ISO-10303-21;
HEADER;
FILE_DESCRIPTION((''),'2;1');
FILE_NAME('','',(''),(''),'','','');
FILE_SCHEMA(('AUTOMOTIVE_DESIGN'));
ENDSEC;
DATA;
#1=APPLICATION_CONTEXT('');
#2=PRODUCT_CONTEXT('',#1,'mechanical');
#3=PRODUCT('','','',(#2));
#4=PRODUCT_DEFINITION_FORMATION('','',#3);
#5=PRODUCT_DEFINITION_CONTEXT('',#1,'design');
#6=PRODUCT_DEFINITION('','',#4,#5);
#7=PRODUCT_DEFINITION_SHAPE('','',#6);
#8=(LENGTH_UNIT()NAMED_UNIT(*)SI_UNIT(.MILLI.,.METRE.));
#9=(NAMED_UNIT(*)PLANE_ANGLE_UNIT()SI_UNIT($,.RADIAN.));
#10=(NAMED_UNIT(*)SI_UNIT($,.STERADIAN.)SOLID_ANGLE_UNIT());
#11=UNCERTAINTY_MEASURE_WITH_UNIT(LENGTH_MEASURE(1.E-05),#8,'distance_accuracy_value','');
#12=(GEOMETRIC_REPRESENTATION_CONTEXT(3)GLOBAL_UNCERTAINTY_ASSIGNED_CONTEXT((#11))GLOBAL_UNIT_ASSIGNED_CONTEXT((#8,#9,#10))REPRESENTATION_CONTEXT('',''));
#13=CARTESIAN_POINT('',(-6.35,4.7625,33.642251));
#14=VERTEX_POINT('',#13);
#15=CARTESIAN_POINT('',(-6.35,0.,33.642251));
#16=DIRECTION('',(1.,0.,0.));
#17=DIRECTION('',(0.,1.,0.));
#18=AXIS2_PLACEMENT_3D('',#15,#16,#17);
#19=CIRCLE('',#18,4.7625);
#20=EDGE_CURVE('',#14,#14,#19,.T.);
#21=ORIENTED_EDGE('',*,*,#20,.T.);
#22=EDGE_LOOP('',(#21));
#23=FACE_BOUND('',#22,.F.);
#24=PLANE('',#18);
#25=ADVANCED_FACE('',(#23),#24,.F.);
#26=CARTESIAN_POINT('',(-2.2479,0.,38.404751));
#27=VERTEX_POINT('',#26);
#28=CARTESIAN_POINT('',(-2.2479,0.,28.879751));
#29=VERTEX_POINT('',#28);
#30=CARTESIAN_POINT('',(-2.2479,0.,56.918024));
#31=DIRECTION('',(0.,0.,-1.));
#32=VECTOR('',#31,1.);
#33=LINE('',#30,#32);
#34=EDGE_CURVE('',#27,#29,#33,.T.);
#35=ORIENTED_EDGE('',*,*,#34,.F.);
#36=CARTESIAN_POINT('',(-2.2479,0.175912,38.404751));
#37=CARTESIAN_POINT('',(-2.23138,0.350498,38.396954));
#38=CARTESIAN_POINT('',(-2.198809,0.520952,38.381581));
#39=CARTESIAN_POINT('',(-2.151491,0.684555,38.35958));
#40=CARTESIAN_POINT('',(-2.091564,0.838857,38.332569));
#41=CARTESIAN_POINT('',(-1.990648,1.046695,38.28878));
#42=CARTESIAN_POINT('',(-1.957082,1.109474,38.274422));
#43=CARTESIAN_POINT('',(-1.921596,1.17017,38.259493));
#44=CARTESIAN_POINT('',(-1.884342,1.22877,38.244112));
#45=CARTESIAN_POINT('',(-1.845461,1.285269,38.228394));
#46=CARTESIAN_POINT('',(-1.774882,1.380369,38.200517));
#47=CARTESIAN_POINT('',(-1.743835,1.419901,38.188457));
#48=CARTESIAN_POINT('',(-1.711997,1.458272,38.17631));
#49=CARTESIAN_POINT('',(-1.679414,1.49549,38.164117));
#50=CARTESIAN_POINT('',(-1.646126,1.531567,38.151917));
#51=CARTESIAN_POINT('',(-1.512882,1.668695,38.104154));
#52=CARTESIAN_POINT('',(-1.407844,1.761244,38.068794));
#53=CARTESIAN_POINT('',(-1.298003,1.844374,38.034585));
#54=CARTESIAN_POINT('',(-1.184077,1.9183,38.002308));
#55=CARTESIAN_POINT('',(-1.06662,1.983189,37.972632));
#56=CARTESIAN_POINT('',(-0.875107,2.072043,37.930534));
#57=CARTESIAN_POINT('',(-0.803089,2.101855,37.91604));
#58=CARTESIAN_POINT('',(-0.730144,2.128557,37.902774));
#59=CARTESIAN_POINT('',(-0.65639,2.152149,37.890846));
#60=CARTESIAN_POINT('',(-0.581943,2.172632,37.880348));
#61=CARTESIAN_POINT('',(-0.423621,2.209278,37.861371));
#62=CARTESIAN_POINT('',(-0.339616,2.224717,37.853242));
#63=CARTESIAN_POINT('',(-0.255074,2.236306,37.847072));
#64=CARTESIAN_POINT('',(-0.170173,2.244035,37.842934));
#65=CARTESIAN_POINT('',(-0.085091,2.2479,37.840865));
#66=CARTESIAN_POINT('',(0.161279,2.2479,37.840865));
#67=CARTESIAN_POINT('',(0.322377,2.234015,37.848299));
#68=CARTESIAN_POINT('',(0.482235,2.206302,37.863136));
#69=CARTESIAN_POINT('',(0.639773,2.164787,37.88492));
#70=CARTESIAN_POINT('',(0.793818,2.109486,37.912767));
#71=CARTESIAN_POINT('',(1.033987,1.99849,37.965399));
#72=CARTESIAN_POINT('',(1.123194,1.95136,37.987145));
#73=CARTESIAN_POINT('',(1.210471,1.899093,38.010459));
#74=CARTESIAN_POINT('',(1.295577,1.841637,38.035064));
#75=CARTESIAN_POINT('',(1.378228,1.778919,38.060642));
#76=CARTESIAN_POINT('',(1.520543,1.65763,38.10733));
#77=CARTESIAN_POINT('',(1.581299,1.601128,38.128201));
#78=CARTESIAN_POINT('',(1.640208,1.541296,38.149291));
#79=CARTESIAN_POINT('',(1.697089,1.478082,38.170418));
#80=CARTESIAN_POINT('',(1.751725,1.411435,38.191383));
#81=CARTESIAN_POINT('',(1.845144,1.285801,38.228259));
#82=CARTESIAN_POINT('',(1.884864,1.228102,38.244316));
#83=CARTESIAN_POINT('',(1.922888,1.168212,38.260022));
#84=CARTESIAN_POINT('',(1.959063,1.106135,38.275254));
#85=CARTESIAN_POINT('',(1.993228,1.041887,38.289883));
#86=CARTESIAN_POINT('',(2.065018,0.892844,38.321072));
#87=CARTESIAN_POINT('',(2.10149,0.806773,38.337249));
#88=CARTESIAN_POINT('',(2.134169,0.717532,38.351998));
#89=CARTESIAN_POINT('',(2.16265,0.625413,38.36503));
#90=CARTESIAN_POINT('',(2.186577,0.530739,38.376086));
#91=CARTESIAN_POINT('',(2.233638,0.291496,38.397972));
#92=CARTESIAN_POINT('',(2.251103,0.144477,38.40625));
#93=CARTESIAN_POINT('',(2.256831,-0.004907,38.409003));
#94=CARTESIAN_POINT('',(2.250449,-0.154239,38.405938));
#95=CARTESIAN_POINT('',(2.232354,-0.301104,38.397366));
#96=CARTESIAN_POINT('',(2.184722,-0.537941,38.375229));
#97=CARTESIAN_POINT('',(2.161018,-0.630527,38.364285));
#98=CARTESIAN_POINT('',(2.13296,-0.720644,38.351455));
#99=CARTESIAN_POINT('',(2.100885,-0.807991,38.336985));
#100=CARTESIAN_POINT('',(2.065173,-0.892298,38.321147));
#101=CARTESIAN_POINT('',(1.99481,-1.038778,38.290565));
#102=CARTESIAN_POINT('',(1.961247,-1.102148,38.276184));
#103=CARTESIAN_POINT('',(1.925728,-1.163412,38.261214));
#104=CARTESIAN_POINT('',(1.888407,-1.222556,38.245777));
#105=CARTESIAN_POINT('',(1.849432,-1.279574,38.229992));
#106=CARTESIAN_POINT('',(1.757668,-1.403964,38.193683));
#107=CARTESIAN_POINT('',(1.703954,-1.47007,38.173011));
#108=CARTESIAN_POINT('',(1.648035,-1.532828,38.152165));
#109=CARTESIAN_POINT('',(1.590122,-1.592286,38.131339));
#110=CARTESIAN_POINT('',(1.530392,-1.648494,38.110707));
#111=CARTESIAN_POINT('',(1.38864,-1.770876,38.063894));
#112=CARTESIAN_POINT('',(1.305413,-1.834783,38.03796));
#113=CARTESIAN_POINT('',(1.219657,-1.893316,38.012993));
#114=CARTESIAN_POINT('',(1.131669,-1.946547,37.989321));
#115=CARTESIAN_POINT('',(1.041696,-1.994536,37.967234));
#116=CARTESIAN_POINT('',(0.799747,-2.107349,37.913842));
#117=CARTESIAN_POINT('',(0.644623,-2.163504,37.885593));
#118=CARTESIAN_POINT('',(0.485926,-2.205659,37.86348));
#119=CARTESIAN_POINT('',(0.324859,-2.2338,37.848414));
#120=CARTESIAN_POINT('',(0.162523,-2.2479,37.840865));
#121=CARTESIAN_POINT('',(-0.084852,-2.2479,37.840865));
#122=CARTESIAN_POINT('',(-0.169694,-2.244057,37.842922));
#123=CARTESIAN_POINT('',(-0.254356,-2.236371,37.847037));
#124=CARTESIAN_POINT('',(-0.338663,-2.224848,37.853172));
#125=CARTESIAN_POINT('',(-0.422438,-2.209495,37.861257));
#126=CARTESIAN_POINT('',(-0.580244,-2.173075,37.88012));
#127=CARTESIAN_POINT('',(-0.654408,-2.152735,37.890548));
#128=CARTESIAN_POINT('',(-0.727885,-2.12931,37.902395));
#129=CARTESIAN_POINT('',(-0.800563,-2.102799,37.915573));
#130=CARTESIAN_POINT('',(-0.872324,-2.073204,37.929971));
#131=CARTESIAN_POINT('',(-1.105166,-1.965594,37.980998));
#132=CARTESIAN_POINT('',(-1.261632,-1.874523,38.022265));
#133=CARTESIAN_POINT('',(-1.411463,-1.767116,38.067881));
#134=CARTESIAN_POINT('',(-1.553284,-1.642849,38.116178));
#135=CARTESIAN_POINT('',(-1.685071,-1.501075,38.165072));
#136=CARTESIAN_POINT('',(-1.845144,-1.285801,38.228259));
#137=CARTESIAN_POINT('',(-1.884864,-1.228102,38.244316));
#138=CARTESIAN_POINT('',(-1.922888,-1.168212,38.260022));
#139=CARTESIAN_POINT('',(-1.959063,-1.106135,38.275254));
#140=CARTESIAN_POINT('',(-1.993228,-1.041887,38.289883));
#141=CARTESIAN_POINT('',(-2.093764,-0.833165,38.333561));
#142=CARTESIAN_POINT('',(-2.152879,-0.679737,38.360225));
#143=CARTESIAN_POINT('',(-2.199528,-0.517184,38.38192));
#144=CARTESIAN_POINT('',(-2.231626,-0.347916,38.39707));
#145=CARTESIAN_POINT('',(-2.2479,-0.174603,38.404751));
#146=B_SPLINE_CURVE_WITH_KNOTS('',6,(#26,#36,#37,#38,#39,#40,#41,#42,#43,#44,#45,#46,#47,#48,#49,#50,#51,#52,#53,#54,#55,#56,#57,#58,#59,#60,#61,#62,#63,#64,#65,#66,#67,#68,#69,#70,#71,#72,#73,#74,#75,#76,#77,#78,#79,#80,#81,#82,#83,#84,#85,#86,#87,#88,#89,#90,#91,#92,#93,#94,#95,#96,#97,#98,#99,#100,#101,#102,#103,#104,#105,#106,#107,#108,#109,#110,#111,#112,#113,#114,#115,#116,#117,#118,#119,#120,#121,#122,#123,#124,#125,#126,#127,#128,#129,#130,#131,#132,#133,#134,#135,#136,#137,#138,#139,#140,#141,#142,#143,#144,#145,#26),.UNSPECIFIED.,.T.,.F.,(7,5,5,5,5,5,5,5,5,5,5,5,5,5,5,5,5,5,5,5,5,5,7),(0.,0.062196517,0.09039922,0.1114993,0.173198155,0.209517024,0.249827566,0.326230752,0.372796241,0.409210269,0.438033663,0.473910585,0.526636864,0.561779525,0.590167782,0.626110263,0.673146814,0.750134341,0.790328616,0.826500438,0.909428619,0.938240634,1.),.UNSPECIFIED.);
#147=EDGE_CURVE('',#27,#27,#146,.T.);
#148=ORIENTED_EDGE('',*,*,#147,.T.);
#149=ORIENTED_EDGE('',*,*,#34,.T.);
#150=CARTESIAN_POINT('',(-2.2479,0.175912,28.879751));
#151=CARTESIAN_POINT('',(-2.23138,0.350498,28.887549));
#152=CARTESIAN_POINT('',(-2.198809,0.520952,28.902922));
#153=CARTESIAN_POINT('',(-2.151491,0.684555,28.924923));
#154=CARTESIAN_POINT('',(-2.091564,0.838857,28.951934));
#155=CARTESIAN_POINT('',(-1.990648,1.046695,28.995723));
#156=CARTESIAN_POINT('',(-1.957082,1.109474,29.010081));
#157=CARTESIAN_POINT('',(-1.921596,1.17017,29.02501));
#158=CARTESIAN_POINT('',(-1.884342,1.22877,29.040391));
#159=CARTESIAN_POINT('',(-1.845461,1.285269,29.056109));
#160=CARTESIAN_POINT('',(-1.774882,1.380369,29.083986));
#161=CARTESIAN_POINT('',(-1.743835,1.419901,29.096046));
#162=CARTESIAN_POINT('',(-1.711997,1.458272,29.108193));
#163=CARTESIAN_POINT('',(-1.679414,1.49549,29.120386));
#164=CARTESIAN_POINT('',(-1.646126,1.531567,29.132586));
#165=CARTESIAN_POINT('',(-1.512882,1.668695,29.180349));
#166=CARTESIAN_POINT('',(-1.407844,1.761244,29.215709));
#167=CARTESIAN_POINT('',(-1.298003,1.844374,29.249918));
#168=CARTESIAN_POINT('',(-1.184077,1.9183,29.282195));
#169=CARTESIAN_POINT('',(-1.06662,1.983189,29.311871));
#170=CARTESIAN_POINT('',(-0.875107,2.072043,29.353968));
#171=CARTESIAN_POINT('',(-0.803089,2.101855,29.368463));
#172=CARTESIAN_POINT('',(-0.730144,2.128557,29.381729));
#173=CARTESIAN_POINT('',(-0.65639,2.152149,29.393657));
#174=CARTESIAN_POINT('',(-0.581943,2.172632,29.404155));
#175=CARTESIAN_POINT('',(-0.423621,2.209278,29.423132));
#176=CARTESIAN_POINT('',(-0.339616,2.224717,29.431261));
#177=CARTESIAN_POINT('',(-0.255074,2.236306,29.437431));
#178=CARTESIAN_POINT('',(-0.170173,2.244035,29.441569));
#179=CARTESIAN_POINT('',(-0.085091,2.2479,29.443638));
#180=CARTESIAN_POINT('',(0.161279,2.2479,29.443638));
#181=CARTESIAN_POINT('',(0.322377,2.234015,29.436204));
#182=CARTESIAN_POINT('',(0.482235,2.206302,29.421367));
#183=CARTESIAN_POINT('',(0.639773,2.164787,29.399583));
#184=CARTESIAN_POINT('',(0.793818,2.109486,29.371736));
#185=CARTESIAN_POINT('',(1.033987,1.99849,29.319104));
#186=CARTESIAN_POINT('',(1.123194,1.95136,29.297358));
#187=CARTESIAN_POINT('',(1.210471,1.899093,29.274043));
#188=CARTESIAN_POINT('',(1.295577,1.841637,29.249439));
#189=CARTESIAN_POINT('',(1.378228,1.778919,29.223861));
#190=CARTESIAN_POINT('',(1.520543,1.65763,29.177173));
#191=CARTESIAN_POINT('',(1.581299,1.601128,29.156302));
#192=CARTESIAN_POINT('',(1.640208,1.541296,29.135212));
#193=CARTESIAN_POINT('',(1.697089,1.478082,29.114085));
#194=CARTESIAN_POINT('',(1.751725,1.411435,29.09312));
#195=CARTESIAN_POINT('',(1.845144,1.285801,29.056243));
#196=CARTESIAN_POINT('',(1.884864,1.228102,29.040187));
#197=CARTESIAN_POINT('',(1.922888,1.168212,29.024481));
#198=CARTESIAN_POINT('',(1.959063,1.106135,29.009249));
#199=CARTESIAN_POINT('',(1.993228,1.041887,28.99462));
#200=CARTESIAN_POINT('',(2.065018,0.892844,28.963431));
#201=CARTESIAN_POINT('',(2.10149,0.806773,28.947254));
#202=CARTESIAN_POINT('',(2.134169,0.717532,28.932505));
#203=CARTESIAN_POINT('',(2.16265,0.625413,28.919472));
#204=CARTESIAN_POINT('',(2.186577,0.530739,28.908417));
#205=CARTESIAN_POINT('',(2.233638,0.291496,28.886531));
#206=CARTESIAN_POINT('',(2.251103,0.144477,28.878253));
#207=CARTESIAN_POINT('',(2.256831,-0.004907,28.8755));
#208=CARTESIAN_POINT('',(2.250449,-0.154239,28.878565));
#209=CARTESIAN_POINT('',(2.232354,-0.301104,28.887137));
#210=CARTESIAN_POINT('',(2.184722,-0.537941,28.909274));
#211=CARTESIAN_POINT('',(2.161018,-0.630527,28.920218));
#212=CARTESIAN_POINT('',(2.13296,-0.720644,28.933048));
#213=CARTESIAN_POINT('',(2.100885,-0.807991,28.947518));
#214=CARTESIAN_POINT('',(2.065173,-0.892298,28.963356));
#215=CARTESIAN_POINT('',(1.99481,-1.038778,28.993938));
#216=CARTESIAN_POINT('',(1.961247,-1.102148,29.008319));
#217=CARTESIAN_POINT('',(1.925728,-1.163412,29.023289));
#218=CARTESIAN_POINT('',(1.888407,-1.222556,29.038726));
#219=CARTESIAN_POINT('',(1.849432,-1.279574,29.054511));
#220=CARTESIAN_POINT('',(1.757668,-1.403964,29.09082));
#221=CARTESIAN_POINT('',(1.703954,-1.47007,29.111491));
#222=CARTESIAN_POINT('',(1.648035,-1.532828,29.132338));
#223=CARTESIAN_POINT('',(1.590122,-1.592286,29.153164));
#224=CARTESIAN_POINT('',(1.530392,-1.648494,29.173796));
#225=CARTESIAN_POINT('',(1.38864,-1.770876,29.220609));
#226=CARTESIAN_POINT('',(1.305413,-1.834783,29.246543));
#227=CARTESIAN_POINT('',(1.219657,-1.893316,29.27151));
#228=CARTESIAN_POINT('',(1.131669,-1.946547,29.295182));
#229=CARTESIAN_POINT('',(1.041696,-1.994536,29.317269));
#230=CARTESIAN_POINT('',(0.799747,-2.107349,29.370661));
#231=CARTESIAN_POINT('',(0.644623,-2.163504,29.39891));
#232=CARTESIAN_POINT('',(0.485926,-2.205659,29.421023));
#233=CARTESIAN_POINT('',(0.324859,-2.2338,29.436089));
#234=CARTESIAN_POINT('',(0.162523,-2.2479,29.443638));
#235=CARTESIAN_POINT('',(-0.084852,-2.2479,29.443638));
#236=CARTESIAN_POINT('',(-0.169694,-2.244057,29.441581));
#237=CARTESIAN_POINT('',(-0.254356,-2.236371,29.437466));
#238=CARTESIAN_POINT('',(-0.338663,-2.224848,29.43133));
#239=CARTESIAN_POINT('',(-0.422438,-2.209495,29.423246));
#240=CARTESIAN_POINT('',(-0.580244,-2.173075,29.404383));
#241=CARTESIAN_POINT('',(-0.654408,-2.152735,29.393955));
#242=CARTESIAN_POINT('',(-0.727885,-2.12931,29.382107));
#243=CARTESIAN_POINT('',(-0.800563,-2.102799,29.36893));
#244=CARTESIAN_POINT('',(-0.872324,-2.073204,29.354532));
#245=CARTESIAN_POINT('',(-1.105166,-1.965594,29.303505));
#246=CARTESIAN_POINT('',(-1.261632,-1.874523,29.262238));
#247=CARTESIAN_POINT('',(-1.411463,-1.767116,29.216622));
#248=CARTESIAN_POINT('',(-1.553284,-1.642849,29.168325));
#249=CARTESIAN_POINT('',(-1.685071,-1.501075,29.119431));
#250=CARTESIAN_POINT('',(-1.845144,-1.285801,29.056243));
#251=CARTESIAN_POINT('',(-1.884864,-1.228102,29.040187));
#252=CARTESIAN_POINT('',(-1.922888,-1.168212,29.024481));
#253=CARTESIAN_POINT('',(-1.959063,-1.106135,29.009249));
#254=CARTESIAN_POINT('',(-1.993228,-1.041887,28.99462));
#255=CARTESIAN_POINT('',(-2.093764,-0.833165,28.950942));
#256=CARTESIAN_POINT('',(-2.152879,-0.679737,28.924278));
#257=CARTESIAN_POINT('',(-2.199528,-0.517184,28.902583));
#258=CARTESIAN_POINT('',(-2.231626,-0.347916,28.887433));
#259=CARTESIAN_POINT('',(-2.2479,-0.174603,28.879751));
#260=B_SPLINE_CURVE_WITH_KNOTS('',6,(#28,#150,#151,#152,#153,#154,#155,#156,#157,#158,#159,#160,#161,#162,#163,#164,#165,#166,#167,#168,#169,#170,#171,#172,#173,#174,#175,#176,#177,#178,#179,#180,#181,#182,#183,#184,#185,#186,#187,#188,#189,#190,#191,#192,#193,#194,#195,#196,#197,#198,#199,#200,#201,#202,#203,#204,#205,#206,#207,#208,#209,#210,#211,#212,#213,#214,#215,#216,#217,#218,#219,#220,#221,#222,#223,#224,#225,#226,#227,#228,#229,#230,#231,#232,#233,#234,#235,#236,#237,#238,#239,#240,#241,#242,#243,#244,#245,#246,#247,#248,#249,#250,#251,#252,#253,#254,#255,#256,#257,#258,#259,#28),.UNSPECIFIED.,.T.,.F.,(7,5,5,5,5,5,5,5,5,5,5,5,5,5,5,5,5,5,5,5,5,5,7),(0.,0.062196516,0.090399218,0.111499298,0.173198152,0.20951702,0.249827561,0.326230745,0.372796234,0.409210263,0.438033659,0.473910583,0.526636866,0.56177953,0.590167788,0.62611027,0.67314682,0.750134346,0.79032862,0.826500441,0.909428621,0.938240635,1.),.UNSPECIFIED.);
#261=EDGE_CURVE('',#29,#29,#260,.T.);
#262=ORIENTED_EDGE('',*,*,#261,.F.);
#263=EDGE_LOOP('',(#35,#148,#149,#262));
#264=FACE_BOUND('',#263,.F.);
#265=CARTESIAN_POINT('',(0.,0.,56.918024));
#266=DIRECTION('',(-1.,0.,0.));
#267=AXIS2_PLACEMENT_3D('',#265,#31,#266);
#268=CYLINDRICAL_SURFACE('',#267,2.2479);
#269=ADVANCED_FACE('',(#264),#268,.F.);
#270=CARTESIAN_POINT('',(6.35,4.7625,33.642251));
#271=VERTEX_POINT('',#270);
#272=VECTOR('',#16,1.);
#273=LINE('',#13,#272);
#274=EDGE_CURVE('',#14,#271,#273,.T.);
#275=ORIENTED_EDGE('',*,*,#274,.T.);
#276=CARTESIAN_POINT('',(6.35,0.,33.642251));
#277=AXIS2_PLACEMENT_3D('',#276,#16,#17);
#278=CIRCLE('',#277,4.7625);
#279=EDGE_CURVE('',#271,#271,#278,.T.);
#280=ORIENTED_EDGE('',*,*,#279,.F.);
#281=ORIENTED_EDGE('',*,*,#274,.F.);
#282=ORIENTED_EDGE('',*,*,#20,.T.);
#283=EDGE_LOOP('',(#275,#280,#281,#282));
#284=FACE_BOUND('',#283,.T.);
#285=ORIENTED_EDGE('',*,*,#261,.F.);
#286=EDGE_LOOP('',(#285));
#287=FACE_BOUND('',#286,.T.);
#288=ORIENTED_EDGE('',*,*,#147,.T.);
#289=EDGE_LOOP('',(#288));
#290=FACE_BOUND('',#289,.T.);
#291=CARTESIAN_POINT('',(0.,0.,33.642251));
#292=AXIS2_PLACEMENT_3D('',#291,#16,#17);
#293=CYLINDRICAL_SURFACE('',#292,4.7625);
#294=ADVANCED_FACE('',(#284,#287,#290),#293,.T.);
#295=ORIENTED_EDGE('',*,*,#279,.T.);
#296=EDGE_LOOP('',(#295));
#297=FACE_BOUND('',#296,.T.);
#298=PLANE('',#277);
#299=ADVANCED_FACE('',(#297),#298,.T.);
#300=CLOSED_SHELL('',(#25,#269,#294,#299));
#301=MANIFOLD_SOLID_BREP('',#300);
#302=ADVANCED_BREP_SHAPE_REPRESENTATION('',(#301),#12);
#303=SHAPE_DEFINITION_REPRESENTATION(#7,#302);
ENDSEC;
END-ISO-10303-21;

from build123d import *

# Parameters (mm, degrees)
F0_R     = 4.7625
F1_DEPTH = 6.35
F4_D     = 4.4958


with BuildPart() as f1:
    # F0 (on Right) → F1 (new body, symmetric)
    with BuildSketch(Plane.YZ):
        with Locations((0, 33.6422514663)):
            Circle(F0_R)
    extrude(amount=F1_DEPTH, both=True)

    # F4 (through all)
    with Locations(Plane.XY.offset(38.4047514663)):
        with Locations((0, 0)):
            Hole(F4_D / 2)


solid = f1.part
